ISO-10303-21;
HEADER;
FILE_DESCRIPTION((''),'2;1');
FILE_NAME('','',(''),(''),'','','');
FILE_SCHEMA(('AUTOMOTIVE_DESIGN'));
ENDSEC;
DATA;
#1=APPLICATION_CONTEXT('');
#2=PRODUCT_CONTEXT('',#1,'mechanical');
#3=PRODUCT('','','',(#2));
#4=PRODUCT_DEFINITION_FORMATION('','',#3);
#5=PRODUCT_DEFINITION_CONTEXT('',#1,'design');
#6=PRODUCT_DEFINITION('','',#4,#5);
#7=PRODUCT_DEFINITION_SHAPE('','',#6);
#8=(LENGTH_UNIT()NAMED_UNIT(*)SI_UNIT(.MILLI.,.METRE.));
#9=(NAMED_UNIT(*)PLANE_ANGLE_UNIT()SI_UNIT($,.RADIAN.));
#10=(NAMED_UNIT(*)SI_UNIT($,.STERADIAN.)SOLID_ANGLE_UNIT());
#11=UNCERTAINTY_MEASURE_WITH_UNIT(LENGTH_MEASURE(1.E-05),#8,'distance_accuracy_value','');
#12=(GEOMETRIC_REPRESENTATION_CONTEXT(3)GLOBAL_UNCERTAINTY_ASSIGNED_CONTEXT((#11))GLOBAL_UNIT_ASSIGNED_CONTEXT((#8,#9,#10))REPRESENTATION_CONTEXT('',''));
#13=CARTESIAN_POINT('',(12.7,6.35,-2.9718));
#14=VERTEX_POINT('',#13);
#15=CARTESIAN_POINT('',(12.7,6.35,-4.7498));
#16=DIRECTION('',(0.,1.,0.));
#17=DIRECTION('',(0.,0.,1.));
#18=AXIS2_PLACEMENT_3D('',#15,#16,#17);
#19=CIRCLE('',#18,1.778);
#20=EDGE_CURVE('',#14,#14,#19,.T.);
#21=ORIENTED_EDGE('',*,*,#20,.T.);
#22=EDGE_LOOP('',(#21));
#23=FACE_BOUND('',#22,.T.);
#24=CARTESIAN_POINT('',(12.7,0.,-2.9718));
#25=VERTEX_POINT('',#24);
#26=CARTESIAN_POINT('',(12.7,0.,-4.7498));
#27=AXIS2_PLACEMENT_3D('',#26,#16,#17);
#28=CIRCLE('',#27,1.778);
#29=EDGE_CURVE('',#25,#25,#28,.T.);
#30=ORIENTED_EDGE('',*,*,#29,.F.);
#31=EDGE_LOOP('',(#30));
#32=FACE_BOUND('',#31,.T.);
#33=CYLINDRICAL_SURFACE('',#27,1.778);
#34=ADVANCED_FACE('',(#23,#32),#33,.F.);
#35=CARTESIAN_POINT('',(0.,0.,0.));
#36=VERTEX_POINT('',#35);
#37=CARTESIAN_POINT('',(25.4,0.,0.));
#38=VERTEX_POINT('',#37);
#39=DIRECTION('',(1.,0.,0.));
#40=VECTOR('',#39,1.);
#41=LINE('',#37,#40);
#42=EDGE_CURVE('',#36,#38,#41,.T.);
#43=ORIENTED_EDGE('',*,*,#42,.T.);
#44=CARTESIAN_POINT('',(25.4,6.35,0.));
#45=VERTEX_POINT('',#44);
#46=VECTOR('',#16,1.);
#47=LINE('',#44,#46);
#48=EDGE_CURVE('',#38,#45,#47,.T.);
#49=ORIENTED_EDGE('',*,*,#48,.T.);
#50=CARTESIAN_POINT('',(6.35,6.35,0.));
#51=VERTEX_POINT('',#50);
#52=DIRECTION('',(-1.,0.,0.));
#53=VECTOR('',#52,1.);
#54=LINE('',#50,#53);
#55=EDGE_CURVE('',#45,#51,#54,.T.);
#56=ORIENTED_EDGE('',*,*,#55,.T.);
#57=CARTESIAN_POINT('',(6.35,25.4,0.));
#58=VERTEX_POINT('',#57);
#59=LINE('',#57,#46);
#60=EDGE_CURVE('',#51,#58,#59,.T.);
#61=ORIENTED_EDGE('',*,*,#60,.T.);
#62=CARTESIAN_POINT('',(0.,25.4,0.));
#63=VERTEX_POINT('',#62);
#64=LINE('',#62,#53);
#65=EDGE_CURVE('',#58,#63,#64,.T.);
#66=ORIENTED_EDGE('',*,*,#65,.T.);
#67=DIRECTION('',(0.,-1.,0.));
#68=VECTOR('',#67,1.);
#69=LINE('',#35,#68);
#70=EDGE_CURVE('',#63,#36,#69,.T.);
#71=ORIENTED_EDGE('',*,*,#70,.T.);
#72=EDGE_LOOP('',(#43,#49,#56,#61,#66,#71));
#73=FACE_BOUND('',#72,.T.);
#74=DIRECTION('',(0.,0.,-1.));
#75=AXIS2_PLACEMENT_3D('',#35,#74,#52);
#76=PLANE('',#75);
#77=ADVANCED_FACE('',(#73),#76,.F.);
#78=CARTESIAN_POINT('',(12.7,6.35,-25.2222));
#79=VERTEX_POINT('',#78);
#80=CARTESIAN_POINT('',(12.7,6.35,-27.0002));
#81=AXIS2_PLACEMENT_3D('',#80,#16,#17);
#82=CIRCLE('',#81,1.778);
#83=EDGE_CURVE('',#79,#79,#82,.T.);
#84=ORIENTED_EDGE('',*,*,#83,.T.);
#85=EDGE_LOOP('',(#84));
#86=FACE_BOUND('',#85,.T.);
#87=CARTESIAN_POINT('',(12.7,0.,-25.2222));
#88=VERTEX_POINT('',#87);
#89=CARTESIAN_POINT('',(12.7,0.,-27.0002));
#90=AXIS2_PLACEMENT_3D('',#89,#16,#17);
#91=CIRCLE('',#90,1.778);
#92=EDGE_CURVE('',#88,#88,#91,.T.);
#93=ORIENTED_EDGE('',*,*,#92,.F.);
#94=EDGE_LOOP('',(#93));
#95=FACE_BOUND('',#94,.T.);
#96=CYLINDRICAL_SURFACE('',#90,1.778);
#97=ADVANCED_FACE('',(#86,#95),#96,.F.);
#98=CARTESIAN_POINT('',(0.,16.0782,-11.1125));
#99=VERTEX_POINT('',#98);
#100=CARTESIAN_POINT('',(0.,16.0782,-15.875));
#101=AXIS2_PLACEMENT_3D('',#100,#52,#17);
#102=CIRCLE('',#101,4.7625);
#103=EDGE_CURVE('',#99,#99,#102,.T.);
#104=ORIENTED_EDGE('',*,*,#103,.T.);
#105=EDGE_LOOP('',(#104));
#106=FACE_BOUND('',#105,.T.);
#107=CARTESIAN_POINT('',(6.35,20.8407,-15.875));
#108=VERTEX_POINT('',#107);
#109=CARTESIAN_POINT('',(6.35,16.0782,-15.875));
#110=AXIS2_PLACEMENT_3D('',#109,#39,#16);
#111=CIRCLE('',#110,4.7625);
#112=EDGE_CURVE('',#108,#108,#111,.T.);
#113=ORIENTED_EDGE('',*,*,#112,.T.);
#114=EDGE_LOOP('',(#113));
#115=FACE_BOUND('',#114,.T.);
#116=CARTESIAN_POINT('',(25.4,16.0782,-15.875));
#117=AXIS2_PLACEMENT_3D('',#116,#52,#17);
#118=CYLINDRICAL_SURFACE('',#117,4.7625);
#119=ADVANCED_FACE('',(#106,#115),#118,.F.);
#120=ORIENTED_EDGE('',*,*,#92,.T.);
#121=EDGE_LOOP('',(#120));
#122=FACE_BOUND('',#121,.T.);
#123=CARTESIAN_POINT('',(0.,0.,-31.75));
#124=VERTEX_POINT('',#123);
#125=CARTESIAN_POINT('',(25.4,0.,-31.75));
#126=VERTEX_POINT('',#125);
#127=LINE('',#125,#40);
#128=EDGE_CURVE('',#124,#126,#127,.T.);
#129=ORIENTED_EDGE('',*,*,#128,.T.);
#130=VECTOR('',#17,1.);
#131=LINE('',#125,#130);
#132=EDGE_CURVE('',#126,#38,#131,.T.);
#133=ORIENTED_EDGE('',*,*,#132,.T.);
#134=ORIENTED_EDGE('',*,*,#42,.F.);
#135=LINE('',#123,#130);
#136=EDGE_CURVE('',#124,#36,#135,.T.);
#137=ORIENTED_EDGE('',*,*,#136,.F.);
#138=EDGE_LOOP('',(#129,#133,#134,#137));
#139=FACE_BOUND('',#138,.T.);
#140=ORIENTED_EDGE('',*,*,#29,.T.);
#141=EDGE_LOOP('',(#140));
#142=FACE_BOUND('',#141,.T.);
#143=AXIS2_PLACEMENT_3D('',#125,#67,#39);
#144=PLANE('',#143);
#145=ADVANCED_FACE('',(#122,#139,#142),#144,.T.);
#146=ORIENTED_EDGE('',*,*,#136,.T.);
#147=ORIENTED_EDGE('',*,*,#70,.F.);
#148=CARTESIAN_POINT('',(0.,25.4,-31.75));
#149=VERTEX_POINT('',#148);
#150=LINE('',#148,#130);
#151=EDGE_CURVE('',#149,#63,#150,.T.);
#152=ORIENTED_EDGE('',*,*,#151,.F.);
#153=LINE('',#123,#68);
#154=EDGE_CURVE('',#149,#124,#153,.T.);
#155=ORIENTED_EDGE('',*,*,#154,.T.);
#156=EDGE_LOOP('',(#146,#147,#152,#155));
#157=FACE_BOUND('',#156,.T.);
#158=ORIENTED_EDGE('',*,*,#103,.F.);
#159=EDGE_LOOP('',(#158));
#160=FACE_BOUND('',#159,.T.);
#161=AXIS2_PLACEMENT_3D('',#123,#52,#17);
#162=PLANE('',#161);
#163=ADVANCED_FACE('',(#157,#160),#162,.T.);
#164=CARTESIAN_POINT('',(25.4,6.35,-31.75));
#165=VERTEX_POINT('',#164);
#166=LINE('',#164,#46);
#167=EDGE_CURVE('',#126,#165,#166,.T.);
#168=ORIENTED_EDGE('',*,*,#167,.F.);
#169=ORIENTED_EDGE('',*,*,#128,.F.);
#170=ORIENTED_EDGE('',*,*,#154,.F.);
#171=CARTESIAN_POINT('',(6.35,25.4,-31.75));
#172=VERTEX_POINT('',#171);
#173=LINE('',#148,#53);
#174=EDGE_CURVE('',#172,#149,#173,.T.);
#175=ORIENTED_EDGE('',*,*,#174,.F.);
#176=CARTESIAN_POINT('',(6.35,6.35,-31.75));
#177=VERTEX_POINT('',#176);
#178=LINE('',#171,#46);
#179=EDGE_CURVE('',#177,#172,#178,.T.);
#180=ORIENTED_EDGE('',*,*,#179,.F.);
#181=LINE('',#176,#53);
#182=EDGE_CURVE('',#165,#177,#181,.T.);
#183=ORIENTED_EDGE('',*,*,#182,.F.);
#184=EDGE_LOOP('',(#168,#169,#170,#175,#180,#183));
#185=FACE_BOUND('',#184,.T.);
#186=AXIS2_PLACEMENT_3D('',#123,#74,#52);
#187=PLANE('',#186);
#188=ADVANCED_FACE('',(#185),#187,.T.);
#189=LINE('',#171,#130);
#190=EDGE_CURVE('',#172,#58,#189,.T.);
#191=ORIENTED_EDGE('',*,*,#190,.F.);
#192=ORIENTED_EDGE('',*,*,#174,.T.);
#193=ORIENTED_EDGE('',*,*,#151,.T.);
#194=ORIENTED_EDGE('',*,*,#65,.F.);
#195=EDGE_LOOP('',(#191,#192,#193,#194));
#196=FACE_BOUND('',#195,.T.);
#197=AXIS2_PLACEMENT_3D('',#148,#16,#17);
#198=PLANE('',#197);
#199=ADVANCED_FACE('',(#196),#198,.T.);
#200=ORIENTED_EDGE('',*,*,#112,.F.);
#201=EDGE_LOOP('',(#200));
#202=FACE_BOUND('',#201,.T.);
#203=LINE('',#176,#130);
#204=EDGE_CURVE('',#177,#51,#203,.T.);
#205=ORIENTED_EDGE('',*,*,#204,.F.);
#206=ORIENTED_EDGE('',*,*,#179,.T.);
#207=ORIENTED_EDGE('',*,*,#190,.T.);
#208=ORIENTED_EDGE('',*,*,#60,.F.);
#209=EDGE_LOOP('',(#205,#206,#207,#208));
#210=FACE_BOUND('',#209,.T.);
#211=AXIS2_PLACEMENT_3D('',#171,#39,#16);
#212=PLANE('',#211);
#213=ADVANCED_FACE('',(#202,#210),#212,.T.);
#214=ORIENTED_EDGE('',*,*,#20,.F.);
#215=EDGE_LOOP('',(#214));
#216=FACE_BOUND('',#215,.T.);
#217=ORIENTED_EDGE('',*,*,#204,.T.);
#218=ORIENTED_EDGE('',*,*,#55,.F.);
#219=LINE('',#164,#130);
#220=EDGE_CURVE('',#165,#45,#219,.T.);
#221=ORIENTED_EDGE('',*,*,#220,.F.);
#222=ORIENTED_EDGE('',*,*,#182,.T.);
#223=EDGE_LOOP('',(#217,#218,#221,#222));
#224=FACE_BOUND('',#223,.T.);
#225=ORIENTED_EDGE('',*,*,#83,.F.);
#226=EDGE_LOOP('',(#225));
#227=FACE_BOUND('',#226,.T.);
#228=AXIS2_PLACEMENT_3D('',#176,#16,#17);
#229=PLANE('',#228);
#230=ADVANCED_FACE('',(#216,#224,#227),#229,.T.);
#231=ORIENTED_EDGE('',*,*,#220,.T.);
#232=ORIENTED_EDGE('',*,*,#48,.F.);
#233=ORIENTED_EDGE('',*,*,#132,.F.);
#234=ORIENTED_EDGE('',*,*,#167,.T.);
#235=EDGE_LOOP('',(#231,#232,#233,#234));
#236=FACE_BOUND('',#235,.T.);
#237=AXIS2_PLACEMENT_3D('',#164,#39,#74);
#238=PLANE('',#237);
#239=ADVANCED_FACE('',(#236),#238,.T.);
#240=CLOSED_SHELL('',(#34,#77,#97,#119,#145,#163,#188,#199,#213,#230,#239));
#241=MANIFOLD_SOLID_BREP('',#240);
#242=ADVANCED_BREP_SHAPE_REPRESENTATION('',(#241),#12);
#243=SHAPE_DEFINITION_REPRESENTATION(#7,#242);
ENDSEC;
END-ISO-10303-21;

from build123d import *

# Parameters (mm, degrees)
BOSS_EXTRUDE1_DEPTH = 31.75
SKETCH2_R           = 4.7625
CUT_EXTRUDE1_DEPTH  = 26.4
SKETCH3_R           = 1.778
CUT_EXTRUDE2_DEPTH  = 7.35


with BuildPart() as part:
    # Sketch1 → Boss-Extrude1 (new body)
    with BuildSketch(Plane.XY):
        Polygon((0, 0), (0, 25.4), (6.35, 25.4), (6.35, 6.35), (25.4, 6.35), (25.4, 0), align=None)
    extrude(amount=-BOSS_EXTRUDE1_DEPTH)

    # Sketch2 → Cut-Extrude1 (cut, through all)
    with BuildSketch(Plane.ZY):
        with Locations((-15.875, 16.0782)):
            Circle(SKETCH2_R)
    extrude(amount=-CUT_EXTRUDE1_DEPTH, mode=Mode.SUBTRACT)

    # Sketch3 → Cut-Extrude2 (cut, through all)
    with BuildSketch(Plane(origin=(0, 6.35, 0), x_dir=(1, 0, 0), z_dir=(0, 1, 0))):
        with Locations((12.7, 27.0002)):
            Circle(SKETCH3_R)
        with Locations((12.7, 4.7498)):
            Circle(SKETCH3_R)
    extrude(amount=-CUT_EXTRUDE2_DEPTH, mode=Mode.SUBTRACT)


solid = part.part
